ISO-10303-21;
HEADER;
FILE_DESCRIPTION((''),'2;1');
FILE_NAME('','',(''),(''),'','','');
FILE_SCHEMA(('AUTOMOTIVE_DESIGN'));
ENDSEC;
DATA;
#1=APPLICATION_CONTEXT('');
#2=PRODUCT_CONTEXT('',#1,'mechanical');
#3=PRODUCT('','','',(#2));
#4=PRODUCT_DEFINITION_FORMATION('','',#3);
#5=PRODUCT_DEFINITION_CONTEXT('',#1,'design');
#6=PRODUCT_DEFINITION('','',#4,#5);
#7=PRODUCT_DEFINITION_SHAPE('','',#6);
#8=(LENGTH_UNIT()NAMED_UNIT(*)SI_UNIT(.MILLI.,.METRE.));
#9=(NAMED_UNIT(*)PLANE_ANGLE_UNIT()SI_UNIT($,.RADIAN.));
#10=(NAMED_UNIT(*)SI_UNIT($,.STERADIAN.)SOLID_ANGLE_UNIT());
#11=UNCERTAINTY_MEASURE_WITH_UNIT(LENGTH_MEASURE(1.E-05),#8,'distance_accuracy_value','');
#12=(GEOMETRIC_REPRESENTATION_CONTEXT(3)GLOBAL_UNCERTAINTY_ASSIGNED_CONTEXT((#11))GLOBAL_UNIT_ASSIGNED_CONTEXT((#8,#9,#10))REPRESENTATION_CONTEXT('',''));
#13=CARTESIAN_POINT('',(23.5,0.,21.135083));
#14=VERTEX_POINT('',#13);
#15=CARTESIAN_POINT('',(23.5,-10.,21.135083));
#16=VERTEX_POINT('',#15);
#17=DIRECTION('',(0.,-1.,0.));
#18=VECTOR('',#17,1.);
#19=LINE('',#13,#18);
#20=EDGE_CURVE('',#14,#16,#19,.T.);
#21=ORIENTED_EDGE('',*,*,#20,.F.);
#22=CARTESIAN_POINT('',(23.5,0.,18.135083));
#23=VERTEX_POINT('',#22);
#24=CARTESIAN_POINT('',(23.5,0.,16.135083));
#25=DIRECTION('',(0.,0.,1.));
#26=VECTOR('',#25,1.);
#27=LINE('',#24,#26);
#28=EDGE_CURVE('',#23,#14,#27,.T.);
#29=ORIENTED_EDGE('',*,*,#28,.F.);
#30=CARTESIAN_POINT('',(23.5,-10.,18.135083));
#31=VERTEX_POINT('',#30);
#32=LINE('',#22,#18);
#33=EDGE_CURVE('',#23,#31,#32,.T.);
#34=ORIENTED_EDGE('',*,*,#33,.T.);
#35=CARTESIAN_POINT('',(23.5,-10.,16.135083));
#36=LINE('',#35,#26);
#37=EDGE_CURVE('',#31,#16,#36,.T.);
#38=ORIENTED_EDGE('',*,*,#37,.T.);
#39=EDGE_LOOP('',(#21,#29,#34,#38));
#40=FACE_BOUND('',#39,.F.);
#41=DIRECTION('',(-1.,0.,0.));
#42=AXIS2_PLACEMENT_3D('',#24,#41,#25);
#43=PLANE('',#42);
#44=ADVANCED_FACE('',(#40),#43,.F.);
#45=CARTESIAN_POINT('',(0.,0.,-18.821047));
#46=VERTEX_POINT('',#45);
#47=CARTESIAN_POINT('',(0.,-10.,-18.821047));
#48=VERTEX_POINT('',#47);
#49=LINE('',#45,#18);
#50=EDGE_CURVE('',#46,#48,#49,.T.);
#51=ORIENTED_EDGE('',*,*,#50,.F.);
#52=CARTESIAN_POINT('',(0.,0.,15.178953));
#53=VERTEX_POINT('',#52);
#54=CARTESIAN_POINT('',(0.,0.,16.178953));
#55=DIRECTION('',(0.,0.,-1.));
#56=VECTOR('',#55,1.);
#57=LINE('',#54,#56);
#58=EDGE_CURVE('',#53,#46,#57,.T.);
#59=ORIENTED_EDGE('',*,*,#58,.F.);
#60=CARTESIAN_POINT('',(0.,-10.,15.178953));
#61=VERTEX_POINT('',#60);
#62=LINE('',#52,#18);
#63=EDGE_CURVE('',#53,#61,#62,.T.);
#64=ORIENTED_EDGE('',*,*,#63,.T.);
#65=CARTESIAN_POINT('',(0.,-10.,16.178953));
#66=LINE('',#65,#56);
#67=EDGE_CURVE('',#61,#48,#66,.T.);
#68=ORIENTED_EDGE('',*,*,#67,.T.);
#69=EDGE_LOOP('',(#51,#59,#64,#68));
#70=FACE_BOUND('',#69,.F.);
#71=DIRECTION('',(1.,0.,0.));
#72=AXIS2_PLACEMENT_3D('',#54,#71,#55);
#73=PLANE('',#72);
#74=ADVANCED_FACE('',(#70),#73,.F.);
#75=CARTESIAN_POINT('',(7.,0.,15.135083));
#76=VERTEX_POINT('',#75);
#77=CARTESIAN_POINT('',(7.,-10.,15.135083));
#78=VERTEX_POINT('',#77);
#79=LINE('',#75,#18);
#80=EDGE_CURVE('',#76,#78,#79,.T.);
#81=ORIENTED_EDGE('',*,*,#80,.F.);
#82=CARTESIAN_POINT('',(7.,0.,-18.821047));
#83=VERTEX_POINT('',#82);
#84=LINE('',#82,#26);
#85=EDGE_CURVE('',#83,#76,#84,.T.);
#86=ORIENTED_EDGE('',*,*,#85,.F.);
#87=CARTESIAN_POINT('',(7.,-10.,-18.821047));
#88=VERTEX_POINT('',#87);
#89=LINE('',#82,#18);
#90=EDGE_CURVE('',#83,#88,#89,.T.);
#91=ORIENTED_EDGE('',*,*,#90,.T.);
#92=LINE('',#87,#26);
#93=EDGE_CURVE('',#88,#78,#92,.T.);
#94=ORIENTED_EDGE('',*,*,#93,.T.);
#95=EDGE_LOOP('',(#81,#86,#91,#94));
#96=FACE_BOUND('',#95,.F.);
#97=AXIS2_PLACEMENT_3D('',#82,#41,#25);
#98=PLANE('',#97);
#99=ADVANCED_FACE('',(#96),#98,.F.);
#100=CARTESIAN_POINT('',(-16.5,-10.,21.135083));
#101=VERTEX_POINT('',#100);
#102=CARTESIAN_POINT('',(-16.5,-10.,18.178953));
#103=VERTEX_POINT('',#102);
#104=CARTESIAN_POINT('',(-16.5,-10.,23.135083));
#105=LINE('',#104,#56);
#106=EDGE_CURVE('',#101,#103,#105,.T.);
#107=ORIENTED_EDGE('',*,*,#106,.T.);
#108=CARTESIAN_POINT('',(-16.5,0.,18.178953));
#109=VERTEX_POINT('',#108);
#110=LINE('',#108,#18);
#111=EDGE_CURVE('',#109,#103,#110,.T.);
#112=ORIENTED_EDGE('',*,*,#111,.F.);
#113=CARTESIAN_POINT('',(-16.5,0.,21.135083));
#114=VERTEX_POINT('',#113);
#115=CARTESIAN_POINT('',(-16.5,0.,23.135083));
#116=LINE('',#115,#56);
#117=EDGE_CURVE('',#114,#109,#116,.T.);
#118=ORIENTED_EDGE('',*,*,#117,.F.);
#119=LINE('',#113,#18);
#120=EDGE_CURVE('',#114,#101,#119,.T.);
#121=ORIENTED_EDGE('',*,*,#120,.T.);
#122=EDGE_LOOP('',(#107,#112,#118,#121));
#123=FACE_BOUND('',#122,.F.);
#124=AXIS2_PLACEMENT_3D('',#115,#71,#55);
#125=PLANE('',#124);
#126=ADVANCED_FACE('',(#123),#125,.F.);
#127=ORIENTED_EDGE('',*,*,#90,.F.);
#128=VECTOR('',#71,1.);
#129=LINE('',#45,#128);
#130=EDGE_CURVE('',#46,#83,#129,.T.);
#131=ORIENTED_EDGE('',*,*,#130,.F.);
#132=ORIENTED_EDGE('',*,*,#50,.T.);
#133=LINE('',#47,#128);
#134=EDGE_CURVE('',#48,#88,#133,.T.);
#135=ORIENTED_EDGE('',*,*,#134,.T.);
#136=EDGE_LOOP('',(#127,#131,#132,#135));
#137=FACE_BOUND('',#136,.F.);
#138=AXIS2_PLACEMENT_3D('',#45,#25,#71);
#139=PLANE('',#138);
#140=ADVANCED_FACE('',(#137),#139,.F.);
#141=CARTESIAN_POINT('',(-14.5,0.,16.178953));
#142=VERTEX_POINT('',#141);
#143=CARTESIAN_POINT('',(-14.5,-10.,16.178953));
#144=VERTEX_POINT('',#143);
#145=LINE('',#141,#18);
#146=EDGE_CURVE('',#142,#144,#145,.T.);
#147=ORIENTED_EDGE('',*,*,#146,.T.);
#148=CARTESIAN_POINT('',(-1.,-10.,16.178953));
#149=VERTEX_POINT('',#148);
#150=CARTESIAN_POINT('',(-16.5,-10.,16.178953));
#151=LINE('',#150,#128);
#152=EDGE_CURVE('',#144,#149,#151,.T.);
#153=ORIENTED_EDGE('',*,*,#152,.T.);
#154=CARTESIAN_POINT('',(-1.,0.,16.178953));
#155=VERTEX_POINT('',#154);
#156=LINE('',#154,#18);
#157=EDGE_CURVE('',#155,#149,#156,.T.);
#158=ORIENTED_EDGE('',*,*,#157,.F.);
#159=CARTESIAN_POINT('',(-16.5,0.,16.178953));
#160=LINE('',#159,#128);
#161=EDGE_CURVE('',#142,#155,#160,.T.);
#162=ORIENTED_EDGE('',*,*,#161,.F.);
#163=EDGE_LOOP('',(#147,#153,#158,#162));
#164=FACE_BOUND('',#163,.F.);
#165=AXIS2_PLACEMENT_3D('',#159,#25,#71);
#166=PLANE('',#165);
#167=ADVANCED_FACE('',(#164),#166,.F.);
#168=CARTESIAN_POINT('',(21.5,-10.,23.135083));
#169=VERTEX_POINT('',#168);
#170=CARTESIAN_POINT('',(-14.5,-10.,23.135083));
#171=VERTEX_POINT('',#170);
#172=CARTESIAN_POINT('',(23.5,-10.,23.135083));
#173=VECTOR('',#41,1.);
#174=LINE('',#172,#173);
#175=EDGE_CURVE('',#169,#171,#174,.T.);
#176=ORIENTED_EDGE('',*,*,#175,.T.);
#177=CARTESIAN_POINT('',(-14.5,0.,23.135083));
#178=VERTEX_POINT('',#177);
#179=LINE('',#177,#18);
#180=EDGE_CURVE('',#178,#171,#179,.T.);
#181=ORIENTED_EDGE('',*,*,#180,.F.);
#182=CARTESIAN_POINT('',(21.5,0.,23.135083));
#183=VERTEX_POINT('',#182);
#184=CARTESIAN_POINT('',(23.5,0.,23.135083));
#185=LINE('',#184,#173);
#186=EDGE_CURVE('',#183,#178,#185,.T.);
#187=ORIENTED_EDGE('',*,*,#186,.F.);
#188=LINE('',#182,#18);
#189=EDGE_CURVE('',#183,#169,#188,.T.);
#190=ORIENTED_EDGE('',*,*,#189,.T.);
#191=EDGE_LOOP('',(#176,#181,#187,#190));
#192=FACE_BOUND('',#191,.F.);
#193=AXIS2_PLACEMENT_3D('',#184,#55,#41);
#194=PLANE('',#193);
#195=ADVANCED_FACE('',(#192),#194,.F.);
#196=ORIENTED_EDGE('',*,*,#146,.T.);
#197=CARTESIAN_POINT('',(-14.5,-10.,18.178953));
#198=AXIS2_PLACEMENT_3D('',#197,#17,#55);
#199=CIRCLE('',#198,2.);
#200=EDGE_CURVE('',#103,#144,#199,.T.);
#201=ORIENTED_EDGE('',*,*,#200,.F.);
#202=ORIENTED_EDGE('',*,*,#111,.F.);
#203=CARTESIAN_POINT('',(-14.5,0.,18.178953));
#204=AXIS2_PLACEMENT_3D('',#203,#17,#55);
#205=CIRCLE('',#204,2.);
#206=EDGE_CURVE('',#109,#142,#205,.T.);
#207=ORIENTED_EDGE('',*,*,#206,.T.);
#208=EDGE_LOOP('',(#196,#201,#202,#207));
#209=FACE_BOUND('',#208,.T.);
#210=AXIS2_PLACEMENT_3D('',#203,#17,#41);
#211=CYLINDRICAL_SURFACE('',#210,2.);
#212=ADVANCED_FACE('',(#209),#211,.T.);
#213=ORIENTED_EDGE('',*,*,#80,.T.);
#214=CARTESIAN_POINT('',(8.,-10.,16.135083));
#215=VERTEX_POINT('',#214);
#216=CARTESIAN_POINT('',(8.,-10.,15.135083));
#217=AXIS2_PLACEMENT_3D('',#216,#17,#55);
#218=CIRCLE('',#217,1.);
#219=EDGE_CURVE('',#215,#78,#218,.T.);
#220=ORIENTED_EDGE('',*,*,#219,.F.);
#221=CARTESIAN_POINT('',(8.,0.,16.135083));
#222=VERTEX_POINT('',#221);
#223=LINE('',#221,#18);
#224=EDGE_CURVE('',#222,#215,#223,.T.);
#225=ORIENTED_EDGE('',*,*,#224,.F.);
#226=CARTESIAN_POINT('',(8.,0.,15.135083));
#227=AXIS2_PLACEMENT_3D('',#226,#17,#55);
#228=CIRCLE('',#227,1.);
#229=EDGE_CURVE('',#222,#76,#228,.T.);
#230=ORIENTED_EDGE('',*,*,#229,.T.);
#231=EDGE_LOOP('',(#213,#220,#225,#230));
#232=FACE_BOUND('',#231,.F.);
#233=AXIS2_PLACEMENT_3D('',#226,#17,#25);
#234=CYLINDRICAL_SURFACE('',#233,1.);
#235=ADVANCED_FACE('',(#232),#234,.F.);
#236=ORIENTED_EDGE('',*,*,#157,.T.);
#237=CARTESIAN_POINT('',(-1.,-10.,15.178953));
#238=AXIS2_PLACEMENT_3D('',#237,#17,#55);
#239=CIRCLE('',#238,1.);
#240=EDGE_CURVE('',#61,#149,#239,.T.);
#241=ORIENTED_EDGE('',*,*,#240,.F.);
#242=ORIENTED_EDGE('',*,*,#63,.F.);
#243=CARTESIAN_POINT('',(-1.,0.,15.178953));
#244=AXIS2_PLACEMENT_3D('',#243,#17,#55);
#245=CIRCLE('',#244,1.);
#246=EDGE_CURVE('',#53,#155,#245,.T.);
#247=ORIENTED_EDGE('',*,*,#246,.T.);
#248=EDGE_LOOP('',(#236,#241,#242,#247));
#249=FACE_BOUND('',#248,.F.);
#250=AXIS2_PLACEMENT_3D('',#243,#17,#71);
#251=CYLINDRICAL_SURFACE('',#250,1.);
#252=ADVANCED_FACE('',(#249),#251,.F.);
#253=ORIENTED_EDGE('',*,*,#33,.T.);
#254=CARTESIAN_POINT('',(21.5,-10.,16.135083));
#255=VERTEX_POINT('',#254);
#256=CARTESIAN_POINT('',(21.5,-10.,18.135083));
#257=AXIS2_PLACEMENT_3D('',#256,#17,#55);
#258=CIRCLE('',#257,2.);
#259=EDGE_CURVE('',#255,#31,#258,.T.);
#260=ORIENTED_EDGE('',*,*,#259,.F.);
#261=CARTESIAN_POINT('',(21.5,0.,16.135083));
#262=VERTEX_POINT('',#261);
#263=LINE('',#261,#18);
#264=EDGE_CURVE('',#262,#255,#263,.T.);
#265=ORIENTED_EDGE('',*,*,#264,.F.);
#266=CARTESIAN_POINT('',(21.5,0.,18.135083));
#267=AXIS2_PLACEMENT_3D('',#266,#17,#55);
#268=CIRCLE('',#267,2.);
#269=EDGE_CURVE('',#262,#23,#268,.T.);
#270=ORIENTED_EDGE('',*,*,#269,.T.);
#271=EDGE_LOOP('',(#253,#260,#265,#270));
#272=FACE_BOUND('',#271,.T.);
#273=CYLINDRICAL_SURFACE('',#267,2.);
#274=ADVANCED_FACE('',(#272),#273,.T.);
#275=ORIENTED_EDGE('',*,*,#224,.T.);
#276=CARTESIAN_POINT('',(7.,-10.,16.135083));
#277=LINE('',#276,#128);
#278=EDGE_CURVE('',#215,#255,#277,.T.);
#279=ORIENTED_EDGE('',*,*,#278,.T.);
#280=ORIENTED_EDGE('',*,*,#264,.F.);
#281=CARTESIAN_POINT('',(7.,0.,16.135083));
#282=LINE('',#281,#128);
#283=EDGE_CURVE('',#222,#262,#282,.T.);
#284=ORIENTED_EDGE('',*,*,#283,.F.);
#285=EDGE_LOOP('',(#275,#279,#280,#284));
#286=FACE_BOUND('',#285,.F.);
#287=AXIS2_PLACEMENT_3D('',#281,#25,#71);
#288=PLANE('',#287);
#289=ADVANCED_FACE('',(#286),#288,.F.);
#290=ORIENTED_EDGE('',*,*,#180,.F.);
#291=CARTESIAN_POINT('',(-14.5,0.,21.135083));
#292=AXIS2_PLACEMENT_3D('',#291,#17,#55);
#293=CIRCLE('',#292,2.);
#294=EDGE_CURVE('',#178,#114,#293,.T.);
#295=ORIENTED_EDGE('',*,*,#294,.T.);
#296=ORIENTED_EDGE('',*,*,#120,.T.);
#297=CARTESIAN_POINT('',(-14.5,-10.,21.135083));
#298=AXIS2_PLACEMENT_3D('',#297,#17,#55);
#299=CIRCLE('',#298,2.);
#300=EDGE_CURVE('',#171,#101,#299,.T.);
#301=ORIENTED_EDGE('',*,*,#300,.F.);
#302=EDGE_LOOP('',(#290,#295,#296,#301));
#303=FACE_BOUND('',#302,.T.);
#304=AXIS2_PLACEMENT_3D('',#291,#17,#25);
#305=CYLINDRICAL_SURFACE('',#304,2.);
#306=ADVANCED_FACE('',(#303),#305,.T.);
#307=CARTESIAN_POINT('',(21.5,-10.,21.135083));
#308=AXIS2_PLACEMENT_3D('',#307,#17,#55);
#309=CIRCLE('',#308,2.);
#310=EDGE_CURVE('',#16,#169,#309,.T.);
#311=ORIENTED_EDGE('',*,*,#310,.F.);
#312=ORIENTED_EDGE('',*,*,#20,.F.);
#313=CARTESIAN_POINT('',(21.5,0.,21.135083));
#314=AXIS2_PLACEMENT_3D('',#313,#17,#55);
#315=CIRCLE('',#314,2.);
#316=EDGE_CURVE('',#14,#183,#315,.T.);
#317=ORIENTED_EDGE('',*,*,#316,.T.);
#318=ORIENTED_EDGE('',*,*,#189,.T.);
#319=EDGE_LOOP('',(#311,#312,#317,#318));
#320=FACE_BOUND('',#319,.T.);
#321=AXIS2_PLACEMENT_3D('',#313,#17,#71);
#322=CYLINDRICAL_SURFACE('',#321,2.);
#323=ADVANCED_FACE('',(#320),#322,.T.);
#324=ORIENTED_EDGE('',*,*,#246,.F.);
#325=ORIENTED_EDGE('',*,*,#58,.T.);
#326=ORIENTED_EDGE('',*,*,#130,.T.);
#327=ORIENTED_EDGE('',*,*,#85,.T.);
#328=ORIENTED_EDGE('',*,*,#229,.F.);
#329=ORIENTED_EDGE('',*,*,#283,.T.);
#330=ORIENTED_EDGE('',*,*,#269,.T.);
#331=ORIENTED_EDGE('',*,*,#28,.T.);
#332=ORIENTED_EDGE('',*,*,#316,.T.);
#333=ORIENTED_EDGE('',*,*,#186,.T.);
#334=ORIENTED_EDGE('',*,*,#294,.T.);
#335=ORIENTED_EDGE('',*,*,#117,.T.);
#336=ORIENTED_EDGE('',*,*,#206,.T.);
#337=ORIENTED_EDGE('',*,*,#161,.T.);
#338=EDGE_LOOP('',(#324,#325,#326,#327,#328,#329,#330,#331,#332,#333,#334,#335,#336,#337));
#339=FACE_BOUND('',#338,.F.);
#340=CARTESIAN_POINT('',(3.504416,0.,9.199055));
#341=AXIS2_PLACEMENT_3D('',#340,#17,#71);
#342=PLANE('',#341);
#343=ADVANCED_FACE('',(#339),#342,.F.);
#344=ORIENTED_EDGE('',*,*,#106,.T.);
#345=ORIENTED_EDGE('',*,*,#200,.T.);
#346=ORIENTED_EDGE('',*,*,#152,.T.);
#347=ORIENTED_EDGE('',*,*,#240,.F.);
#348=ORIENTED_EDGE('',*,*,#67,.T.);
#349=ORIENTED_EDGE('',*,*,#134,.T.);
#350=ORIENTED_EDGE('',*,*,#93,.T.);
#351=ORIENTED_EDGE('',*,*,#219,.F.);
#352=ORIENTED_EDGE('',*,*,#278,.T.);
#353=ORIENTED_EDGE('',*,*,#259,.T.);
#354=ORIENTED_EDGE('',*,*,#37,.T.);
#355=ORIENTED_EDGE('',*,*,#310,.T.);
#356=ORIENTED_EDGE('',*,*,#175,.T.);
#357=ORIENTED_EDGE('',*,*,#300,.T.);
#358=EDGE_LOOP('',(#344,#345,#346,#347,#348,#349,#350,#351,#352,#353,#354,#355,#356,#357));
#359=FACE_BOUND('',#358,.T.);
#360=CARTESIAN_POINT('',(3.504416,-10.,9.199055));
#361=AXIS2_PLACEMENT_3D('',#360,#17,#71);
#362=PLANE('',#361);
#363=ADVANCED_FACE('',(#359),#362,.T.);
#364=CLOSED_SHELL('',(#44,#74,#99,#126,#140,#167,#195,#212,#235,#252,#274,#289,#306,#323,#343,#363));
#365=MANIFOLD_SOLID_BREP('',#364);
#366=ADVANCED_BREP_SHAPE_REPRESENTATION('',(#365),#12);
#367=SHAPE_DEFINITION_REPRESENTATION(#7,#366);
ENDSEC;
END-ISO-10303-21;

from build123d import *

# Parameters (mm, degrees)
F1_DEPTH = 10
F2_R     = 2
F3_R     = 1


with BuildPart() as f1:
    # F0 (on Front) → F1 (new body)
    with BuildSketch(Plane.XZ):
        Polygon((0, 16.178953), (0, -18.821047), (7, -18.821047), (7, 16.135083), (23.5, 16.135083), (23.5, 23.135083), (-16.5, 23.135083), (-16.5, 16.178953), (-5, 16.178953), align=None)
    extrude(amount=F1_DEPTH)

    # F2
    f2_edges = [f1.edges().sort_by_distance(p)[0] for p in [
        (-16.5, -5, 23.135083),
        (23.5, -5, 23.135083),
        (-16.5, -5, 16.178953),
        (23.5, -5, 16.135083),
    ]]
    fillet(f2_edges, radius=F2_R)

    # F3
    f3_edges = [f1.edges().sort_by_distance(p)[0] for p in [
        (0, -5, 16.178953),
        (7, -5, 16.135083),
    ]]
    fillet(f3_edges, radius=F3_R)


solid = f1.part
